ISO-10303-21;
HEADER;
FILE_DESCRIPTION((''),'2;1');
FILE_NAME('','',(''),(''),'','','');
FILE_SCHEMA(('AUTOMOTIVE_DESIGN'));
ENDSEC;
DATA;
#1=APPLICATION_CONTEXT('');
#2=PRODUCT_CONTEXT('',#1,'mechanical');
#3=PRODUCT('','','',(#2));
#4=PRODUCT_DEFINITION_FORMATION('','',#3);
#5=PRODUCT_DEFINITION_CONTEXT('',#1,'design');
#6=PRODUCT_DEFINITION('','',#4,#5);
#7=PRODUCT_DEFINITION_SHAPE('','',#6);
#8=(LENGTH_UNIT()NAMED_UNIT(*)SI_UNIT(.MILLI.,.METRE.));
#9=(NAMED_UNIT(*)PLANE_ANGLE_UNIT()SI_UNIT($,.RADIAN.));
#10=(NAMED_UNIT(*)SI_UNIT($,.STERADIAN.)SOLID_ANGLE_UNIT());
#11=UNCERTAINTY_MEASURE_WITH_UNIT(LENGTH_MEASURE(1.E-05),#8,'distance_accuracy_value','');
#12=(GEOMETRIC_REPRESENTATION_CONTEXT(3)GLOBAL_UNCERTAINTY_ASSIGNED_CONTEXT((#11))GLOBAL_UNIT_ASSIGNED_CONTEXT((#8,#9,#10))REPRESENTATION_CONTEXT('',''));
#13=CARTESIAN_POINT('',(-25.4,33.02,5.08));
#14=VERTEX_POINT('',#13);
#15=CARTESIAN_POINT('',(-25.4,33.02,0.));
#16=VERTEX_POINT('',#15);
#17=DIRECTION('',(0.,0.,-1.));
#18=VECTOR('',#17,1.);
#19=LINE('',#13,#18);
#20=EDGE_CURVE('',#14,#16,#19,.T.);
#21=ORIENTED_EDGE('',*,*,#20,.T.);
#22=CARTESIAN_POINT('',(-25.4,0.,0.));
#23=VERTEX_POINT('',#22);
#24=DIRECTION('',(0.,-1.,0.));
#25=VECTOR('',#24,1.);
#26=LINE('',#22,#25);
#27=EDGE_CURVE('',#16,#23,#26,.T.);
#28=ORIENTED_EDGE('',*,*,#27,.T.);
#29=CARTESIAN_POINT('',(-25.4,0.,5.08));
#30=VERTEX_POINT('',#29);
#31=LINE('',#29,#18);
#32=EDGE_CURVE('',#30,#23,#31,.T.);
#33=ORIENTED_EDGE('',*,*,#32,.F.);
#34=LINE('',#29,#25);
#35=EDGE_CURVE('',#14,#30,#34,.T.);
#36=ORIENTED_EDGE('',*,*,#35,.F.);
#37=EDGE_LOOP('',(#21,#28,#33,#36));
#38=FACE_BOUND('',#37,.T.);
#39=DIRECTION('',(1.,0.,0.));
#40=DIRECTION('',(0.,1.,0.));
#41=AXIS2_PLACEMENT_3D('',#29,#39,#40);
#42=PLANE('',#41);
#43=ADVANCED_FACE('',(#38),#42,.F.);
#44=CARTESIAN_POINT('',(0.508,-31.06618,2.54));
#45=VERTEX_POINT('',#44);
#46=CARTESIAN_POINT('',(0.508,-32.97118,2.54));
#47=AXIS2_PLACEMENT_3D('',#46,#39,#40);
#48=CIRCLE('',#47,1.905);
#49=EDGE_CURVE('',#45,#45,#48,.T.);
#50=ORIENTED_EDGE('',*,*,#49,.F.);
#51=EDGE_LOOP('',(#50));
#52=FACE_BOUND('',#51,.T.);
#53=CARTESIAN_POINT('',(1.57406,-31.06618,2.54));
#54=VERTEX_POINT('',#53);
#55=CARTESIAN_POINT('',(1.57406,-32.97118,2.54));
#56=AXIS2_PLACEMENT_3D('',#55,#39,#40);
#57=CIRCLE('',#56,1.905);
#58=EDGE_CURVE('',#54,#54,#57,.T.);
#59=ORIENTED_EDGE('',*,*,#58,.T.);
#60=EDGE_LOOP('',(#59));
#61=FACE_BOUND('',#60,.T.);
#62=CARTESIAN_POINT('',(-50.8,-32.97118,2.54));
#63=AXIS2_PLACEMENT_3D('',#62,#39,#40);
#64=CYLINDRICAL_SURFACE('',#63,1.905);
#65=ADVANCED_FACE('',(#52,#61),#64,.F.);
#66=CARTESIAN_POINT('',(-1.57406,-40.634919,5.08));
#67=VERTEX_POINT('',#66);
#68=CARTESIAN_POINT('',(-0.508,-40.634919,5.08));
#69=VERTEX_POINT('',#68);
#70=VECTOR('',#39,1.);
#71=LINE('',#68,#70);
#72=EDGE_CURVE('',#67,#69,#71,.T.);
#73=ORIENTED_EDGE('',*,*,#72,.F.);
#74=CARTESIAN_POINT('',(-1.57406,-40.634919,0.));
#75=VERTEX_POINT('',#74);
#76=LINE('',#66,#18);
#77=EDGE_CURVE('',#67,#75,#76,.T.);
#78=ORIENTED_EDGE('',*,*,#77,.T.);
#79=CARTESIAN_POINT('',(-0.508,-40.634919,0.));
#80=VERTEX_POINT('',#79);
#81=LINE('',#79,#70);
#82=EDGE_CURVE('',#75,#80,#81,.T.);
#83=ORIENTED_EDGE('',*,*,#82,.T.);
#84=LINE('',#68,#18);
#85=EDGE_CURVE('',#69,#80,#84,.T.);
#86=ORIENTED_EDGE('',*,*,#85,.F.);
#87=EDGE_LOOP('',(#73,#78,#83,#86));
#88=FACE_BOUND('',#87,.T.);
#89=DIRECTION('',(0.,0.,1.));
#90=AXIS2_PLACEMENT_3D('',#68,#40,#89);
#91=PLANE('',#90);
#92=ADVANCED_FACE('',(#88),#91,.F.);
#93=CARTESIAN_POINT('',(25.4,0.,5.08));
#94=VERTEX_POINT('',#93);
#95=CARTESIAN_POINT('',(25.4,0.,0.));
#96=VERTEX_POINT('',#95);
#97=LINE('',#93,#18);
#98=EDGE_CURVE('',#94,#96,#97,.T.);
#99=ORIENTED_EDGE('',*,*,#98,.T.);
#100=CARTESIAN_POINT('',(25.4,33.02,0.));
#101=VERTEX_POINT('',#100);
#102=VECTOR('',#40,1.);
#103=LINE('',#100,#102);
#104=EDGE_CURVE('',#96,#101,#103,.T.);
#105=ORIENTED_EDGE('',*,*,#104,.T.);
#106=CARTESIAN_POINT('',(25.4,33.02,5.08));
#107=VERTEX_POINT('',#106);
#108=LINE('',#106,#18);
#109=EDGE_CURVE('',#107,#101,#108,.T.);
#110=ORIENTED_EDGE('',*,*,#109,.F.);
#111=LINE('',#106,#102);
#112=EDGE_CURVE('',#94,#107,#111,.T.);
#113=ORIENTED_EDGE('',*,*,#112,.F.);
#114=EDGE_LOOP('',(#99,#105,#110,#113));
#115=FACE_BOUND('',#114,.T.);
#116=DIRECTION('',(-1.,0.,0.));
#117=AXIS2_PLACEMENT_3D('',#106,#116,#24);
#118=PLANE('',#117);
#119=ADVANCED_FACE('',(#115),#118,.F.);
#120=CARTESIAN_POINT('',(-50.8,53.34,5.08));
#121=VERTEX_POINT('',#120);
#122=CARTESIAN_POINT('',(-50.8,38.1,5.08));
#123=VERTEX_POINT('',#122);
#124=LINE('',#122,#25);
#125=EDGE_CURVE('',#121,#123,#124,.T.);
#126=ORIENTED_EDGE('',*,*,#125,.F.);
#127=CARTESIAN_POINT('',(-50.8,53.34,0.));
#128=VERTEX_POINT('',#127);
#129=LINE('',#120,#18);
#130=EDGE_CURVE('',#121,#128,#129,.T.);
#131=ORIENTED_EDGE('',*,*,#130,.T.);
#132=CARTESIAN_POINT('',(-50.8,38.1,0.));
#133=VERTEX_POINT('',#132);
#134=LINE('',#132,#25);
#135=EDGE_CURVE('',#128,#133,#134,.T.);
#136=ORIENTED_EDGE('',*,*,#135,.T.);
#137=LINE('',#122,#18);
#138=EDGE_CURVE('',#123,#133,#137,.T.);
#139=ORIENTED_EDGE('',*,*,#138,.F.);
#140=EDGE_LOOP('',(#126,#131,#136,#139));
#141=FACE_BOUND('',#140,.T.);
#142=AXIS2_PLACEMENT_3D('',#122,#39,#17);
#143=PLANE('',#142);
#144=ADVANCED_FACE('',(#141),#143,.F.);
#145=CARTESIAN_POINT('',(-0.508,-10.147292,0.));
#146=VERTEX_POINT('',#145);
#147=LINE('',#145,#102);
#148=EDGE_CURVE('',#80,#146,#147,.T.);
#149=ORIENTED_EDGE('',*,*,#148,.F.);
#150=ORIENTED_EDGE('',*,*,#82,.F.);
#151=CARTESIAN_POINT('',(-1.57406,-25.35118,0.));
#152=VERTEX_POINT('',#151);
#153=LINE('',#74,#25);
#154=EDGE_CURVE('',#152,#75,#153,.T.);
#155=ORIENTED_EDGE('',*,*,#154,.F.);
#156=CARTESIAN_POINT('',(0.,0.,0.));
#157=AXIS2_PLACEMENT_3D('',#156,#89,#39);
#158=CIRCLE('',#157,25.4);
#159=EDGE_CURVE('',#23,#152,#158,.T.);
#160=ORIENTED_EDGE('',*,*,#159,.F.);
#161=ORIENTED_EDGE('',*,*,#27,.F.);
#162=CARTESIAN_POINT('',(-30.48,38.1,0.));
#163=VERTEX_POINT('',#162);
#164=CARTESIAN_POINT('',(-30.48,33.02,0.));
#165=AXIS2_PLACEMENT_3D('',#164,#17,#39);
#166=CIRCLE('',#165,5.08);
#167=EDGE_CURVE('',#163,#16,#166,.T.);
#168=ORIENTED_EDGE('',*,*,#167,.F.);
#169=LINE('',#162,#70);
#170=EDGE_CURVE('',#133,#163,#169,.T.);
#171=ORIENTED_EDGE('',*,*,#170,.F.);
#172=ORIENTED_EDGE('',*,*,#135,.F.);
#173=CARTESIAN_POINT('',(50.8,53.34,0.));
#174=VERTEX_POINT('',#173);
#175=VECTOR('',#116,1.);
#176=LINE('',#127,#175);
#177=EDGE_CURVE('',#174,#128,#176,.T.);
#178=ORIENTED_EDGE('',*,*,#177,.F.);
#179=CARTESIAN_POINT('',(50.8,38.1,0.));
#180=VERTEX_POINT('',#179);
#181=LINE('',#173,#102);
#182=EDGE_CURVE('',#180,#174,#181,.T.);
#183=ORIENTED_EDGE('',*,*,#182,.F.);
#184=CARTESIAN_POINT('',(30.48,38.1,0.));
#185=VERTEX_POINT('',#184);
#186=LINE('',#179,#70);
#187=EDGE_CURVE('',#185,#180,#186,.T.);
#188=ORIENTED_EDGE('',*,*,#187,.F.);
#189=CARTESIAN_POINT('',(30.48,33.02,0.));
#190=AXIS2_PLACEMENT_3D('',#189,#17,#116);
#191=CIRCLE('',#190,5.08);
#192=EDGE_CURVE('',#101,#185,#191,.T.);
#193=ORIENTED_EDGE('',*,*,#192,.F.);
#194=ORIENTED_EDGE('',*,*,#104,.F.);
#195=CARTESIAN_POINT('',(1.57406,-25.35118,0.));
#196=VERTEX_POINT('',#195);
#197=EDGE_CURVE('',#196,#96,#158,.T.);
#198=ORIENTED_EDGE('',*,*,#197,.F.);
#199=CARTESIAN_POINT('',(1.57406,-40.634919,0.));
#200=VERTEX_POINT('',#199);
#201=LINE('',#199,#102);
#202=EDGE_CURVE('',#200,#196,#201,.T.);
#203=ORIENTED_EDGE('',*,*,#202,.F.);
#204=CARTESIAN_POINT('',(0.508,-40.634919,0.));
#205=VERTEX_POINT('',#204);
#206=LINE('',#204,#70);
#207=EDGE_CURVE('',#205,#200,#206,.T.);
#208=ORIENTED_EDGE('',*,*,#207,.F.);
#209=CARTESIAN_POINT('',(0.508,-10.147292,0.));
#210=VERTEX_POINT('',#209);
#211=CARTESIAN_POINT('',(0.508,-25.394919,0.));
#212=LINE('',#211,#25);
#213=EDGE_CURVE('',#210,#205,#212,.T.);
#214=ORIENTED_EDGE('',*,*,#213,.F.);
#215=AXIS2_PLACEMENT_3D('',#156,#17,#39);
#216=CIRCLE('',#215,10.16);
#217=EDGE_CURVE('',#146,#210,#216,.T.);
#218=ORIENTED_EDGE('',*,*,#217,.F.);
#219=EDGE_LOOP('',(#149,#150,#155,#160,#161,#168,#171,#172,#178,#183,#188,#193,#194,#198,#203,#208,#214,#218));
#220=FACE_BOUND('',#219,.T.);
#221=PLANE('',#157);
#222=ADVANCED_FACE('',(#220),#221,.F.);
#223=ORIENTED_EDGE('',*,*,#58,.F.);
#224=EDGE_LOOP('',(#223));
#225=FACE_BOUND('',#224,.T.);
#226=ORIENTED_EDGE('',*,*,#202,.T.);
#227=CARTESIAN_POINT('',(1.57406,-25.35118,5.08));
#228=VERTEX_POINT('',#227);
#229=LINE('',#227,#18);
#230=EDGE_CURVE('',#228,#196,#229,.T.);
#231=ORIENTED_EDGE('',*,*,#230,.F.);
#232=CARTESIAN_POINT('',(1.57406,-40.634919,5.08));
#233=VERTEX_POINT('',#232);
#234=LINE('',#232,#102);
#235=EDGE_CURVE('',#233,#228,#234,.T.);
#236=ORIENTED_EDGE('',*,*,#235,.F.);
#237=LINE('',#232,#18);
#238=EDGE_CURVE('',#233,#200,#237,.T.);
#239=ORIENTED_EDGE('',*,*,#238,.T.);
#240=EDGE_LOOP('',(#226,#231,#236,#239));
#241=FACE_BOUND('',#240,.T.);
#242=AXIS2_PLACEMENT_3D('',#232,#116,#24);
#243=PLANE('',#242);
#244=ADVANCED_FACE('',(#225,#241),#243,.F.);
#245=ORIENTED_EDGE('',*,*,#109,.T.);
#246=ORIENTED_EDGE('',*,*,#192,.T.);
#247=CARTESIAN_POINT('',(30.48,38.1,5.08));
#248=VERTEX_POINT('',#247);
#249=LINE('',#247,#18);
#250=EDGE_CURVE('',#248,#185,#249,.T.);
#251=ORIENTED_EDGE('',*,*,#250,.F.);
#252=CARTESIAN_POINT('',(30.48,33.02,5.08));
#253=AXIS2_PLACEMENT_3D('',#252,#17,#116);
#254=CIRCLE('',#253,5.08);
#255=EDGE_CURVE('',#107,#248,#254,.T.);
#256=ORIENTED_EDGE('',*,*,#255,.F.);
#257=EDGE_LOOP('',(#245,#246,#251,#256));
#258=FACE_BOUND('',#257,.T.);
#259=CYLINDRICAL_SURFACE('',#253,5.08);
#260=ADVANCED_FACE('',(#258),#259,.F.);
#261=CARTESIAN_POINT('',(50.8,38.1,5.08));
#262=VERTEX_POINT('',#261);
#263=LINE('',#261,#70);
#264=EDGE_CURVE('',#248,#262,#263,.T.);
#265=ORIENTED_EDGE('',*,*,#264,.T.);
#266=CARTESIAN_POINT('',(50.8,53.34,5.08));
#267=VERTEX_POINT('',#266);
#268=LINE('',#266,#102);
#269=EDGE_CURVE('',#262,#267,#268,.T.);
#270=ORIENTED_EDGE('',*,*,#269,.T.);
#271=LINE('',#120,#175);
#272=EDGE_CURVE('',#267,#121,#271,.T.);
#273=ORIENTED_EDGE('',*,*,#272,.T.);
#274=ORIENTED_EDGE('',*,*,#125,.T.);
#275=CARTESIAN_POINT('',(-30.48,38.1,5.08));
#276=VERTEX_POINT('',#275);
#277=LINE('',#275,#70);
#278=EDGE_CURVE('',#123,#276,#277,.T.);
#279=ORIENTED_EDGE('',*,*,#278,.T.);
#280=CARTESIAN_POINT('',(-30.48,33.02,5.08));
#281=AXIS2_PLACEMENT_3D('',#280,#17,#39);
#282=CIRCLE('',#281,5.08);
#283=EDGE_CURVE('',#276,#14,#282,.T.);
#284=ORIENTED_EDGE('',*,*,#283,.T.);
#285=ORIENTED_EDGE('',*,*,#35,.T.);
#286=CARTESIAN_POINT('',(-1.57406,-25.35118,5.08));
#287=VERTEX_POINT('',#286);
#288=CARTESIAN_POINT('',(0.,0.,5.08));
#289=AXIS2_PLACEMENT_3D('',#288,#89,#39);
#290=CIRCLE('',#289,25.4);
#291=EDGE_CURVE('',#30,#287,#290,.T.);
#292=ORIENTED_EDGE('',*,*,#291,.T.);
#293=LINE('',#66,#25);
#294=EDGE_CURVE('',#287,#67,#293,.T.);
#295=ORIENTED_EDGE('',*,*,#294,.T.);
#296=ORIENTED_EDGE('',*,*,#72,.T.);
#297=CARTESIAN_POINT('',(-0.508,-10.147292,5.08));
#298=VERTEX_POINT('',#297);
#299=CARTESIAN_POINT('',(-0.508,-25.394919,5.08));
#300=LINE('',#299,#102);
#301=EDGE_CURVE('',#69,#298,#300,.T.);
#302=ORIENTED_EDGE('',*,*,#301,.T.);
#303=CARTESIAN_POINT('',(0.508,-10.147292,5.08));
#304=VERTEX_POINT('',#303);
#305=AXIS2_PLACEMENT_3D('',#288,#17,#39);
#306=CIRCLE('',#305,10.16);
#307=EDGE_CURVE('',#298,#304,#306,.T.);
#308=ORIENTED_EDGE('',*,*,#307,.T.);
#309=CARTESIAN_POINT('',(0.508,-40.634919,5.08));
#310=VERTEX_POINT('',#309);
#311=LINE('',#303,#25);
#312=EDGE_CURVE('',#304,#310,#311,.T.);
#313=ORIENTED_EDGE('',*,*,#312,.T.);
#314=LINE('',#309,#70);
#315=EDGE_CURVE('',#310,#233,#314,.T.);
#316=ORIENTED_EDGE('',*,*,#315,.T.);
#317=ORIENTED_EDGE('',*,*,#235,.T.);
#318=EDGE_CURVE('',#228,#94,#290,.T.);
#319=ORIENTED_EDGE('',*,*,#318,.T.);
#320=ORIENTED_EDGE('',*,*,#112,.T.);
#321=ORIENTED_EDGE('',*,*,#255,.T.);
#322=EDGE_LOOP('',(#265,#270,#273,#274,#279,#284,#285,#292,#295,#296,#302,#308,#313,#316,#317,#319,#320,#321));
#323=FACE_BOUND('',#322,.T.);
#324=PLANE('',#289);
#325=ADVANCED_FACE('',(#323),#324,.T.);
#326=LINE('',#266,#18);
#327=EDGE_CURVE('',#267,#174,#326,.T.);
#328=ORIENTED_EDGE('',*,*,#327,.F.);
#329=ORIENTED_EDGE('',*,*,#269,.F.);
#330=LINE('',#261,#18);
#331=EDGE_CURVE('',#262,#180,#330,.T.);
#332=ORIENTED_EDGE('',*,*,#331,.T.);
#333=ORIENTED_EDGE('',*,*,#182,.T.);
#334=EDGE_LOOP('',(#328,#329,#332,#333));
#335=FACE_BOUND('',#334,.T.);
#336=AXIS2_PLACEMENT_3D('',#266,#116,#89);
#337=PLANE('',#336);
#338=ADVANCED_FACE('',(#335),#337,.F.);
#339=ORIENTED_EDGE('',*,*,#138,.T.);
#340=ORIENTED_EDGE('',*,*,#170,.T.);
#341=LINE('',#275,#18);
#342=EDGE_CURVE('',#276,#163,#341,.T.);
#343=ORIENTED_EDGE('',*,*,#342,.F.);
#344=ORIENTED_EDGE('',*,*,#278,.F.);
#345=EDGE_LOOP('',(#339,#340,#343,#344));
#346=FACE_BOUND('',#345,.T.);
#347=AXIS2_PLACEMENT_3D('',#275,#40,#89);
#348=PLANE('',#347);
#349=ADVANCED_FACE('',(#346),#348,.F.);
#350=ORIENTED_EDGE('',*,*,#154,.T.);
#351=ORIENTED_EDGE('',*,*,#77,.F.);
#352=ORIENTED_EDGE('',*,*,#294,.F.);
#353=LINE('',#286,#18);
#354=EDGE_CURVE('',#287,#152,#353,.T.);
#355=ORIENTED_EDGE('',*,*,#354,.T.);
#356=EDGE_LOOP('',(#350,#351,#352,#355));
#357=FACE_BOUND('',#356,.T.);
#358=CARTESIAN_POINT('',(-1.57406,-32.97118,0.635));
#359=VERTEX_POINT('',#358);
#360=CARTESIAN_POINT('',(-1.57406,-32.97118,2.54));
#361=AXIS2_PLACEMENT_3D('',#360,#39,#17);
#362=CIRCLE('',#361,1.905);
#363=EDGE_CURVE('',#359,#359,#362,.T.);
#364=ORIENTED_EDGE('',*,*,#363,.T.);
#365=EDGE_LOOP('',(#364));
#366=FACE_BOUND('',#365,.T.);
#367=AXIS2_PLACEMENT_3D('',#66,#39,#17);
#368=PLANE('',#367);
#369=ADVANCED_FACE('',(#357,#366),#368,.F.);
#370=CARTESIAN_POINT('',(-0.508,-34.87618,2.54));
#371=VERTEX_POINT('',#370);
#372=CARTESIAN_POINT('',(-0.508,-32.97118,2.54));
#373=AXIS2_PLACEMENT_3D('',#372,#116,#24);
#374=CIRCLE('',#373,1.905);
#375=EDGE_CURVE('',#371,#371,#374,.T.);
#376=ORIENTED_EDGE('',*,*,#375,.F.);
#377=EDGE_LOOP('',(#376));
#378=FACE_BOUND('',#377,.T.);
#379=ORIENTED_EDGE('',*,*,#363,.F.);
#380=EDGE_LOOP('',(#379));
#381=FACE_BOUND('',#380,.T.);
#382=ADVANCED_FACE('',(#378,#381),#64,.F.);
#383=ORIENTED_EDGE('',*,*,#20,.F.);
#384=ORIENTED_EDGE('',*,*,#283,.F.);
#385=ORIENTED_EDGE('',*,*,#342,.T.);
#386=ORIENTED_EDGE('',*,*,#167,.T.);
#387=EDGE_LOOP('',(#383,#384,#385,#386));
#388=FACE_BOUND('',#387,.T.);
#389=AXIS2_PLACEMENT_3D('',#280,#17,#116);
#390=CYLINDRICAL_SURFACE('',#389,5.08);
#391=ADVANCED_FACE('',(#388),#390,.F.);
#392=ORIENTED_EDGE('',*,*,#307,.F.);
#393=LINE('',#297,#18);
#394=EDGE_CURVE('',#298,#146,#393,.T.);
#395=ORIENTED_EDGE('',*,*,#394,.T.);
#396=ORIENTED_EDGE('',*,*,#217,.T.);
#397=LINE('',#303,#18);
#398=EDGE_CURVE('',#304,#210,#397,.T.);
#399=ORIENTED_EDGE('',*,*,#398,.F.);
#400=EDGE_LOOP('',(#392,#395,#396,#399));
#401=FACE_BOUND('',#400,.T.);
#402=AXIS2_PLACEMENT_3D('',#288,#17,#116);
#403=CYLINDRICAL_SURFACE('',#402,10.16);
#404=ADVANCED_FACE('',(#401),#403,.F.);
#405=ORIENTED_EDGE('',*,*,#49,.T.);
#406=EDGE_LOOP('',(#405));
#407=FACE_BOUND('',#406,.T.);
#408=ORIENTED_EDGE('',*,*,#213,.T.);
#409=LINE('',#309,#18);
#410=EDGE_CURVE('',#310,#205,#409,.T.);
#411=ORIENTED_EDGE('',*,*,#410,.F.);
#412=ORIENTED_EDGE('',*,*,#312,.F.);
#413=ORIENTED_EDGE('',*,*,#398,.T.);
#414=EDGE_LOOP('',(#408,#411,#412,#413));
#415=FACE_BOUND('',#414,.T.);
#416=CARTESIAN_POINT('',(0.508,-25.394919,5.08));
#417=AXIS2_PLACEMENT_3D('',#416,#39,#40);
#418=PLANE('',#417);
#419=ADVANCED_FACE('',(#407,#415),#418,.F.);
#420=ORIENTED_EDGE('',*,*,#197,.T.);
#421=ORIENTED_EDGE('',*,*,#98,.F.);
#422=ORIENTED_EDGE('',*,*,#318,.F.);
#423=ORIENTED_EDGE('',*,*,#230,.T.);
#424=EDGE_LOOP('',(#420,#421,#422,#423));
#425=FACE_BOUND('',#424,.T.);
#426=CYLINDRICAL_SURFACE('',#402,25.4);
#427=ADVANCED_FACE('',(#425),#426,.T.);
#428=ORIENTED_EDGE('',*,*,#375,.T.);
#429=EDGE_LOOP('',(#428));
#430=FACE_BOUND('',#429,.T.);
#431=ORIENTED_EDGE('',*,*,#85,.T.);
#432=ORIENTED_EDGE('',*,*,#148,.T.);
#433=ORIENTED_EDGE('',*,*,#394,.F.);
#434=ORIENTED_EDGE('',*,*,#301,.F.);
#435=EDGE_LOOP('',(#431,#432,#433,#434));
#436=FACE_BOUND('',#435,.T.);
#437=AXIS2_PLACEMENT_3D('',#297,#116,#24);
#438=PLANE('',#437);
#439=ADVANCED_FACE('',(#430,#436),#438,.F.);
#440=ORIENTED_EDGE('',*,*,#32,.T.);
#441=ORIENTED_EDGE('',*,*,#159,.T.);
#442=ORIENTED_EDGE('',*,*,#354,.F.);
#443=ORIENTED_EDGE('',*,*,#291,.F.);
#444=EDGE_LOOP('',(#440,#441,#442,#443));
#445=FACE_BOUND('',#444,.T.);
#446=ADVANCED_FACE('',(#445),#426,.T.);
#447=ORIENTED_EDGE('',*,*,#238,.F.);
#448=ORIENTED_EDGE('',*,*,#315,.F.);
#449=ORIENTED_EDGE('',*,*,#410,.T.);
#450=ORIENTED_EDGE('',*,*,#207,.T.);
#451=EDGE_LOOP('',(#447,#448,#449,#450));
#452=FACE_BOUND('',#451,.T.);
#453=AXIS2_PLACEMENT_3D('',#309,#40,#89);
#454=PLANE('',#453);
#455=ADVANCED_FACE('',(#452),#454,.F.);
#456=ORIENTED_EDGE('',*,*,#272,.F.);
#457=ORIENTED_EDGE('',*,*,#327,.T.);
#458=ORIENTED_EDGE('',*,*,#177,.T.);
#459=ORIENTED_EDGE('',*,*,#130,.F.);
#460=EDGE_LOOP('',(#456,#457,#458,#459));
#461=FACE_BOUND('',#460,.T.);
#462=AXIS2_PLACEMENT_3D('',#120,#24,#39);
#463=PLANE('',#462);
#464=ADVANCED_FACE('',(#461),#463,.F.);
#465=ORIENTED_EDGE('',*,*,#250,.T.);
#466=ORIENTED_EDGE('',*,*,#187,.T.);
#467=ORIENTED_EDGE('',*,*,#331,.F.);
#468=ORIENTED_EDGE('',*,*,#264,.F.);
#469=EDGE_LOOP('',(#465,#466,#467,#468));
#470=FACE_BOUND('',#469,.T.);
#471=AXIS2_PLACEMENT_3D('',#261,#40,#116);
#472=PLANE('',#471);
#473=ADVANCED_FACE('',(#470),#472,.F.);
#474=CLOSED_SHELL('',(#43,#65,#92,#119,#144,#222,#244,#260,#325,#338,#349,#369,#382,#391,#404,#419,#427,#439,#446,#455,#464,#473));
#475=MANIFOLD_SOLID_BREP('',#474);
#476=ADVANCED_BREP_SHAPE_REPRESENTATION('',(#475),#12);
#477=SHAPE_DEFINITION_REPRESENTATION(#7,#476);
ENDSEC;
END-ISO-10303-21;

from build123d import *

# Parameters (mm, degrees)
BOSS_EXTRUDE1_DEPTH = 5.08
SKETCH4_R           = 1.905
CUT_EXTRUDE2_DEPTH  = 75.926658634


with BuildPart() as part:
    # Sketch1 → Boss-Extrude1 (new body)
    with BuildSketch(Plane.XY):
        with BuildLine():
            Line((-25.4, 0), (-25.4, 33.02))
            ThreePointArc((-25.4, 33.02), (-26.887897552, 36.612102448), (-30.48, 38.1))
            Line((-30.48, 38.1), (-50.8, 38.1))
            Line((-50.8, 38.1), (-50.8, 53.34))
            Line((-50.8, 53.34), (50.8, 53.34))
            Line((50.8, 53.34), (50.8, 38.1))
            Line((50.8, 38.1), (30.48, 38.1))
            ThreePointArc((30.48, 38.1), (26.887897552, 36.612102448), (25.4, 33.02))
            Line((25.4, 33.02), (25.4, 0))
            ThreePointArc((25.4, 0), (18.508661853, -17.395098057), (1.574060126, -25.351180145))
            Line((1.574060126, -25.351180145), (1.574060126, -40.634919492))
            Line((1.574060126, -40.634919492), (0.508, -40.634919492))
            Line((0.508, -40.634919492), (0.508, -25.394919492))
            Line((0.508, -25.394919492), (0.508, -10.147292053))
            ThreePointArc((0.508, -10.147292053), (0, 10.16), (-0.508, -10.147292053))
            Line((-0.508, -10.147292053), (-0.508, -25.394919492))
            Line((-0.508, -25.394919492), (-0.508, -40.634919492))
            Line((-0.508, -40.634919492), (-1.574060126, -40.634919492))
            Line((-1.574060126, -40.634919492), (-1.574060126, -25.351180145))
            ThreePointArc((-1.574060126, -25.351180145), (-18.508661853, -17.395098057), (-25.4, 0))
        make_face()
    extrude(amount=BOSS_EXTRUDE1_DEPTH)

    # Sketch4 → Cut-Extrude2 (cut, through all)
    with BuildSketch(Plane(origin=(1.574060126, 0, 0), x_dir=(0, 0, -1), z_dir=(1, 0, 0))):
        with Locations(Location((-2.54, -32.971180145, 0), (0, 0, 90))):
            Circle(SKETCH4_R)
    extrude(amount=-CUT_EXTRUDE2_DEPTH, mode=Mode.SUBTRACT)


solid = part.part
